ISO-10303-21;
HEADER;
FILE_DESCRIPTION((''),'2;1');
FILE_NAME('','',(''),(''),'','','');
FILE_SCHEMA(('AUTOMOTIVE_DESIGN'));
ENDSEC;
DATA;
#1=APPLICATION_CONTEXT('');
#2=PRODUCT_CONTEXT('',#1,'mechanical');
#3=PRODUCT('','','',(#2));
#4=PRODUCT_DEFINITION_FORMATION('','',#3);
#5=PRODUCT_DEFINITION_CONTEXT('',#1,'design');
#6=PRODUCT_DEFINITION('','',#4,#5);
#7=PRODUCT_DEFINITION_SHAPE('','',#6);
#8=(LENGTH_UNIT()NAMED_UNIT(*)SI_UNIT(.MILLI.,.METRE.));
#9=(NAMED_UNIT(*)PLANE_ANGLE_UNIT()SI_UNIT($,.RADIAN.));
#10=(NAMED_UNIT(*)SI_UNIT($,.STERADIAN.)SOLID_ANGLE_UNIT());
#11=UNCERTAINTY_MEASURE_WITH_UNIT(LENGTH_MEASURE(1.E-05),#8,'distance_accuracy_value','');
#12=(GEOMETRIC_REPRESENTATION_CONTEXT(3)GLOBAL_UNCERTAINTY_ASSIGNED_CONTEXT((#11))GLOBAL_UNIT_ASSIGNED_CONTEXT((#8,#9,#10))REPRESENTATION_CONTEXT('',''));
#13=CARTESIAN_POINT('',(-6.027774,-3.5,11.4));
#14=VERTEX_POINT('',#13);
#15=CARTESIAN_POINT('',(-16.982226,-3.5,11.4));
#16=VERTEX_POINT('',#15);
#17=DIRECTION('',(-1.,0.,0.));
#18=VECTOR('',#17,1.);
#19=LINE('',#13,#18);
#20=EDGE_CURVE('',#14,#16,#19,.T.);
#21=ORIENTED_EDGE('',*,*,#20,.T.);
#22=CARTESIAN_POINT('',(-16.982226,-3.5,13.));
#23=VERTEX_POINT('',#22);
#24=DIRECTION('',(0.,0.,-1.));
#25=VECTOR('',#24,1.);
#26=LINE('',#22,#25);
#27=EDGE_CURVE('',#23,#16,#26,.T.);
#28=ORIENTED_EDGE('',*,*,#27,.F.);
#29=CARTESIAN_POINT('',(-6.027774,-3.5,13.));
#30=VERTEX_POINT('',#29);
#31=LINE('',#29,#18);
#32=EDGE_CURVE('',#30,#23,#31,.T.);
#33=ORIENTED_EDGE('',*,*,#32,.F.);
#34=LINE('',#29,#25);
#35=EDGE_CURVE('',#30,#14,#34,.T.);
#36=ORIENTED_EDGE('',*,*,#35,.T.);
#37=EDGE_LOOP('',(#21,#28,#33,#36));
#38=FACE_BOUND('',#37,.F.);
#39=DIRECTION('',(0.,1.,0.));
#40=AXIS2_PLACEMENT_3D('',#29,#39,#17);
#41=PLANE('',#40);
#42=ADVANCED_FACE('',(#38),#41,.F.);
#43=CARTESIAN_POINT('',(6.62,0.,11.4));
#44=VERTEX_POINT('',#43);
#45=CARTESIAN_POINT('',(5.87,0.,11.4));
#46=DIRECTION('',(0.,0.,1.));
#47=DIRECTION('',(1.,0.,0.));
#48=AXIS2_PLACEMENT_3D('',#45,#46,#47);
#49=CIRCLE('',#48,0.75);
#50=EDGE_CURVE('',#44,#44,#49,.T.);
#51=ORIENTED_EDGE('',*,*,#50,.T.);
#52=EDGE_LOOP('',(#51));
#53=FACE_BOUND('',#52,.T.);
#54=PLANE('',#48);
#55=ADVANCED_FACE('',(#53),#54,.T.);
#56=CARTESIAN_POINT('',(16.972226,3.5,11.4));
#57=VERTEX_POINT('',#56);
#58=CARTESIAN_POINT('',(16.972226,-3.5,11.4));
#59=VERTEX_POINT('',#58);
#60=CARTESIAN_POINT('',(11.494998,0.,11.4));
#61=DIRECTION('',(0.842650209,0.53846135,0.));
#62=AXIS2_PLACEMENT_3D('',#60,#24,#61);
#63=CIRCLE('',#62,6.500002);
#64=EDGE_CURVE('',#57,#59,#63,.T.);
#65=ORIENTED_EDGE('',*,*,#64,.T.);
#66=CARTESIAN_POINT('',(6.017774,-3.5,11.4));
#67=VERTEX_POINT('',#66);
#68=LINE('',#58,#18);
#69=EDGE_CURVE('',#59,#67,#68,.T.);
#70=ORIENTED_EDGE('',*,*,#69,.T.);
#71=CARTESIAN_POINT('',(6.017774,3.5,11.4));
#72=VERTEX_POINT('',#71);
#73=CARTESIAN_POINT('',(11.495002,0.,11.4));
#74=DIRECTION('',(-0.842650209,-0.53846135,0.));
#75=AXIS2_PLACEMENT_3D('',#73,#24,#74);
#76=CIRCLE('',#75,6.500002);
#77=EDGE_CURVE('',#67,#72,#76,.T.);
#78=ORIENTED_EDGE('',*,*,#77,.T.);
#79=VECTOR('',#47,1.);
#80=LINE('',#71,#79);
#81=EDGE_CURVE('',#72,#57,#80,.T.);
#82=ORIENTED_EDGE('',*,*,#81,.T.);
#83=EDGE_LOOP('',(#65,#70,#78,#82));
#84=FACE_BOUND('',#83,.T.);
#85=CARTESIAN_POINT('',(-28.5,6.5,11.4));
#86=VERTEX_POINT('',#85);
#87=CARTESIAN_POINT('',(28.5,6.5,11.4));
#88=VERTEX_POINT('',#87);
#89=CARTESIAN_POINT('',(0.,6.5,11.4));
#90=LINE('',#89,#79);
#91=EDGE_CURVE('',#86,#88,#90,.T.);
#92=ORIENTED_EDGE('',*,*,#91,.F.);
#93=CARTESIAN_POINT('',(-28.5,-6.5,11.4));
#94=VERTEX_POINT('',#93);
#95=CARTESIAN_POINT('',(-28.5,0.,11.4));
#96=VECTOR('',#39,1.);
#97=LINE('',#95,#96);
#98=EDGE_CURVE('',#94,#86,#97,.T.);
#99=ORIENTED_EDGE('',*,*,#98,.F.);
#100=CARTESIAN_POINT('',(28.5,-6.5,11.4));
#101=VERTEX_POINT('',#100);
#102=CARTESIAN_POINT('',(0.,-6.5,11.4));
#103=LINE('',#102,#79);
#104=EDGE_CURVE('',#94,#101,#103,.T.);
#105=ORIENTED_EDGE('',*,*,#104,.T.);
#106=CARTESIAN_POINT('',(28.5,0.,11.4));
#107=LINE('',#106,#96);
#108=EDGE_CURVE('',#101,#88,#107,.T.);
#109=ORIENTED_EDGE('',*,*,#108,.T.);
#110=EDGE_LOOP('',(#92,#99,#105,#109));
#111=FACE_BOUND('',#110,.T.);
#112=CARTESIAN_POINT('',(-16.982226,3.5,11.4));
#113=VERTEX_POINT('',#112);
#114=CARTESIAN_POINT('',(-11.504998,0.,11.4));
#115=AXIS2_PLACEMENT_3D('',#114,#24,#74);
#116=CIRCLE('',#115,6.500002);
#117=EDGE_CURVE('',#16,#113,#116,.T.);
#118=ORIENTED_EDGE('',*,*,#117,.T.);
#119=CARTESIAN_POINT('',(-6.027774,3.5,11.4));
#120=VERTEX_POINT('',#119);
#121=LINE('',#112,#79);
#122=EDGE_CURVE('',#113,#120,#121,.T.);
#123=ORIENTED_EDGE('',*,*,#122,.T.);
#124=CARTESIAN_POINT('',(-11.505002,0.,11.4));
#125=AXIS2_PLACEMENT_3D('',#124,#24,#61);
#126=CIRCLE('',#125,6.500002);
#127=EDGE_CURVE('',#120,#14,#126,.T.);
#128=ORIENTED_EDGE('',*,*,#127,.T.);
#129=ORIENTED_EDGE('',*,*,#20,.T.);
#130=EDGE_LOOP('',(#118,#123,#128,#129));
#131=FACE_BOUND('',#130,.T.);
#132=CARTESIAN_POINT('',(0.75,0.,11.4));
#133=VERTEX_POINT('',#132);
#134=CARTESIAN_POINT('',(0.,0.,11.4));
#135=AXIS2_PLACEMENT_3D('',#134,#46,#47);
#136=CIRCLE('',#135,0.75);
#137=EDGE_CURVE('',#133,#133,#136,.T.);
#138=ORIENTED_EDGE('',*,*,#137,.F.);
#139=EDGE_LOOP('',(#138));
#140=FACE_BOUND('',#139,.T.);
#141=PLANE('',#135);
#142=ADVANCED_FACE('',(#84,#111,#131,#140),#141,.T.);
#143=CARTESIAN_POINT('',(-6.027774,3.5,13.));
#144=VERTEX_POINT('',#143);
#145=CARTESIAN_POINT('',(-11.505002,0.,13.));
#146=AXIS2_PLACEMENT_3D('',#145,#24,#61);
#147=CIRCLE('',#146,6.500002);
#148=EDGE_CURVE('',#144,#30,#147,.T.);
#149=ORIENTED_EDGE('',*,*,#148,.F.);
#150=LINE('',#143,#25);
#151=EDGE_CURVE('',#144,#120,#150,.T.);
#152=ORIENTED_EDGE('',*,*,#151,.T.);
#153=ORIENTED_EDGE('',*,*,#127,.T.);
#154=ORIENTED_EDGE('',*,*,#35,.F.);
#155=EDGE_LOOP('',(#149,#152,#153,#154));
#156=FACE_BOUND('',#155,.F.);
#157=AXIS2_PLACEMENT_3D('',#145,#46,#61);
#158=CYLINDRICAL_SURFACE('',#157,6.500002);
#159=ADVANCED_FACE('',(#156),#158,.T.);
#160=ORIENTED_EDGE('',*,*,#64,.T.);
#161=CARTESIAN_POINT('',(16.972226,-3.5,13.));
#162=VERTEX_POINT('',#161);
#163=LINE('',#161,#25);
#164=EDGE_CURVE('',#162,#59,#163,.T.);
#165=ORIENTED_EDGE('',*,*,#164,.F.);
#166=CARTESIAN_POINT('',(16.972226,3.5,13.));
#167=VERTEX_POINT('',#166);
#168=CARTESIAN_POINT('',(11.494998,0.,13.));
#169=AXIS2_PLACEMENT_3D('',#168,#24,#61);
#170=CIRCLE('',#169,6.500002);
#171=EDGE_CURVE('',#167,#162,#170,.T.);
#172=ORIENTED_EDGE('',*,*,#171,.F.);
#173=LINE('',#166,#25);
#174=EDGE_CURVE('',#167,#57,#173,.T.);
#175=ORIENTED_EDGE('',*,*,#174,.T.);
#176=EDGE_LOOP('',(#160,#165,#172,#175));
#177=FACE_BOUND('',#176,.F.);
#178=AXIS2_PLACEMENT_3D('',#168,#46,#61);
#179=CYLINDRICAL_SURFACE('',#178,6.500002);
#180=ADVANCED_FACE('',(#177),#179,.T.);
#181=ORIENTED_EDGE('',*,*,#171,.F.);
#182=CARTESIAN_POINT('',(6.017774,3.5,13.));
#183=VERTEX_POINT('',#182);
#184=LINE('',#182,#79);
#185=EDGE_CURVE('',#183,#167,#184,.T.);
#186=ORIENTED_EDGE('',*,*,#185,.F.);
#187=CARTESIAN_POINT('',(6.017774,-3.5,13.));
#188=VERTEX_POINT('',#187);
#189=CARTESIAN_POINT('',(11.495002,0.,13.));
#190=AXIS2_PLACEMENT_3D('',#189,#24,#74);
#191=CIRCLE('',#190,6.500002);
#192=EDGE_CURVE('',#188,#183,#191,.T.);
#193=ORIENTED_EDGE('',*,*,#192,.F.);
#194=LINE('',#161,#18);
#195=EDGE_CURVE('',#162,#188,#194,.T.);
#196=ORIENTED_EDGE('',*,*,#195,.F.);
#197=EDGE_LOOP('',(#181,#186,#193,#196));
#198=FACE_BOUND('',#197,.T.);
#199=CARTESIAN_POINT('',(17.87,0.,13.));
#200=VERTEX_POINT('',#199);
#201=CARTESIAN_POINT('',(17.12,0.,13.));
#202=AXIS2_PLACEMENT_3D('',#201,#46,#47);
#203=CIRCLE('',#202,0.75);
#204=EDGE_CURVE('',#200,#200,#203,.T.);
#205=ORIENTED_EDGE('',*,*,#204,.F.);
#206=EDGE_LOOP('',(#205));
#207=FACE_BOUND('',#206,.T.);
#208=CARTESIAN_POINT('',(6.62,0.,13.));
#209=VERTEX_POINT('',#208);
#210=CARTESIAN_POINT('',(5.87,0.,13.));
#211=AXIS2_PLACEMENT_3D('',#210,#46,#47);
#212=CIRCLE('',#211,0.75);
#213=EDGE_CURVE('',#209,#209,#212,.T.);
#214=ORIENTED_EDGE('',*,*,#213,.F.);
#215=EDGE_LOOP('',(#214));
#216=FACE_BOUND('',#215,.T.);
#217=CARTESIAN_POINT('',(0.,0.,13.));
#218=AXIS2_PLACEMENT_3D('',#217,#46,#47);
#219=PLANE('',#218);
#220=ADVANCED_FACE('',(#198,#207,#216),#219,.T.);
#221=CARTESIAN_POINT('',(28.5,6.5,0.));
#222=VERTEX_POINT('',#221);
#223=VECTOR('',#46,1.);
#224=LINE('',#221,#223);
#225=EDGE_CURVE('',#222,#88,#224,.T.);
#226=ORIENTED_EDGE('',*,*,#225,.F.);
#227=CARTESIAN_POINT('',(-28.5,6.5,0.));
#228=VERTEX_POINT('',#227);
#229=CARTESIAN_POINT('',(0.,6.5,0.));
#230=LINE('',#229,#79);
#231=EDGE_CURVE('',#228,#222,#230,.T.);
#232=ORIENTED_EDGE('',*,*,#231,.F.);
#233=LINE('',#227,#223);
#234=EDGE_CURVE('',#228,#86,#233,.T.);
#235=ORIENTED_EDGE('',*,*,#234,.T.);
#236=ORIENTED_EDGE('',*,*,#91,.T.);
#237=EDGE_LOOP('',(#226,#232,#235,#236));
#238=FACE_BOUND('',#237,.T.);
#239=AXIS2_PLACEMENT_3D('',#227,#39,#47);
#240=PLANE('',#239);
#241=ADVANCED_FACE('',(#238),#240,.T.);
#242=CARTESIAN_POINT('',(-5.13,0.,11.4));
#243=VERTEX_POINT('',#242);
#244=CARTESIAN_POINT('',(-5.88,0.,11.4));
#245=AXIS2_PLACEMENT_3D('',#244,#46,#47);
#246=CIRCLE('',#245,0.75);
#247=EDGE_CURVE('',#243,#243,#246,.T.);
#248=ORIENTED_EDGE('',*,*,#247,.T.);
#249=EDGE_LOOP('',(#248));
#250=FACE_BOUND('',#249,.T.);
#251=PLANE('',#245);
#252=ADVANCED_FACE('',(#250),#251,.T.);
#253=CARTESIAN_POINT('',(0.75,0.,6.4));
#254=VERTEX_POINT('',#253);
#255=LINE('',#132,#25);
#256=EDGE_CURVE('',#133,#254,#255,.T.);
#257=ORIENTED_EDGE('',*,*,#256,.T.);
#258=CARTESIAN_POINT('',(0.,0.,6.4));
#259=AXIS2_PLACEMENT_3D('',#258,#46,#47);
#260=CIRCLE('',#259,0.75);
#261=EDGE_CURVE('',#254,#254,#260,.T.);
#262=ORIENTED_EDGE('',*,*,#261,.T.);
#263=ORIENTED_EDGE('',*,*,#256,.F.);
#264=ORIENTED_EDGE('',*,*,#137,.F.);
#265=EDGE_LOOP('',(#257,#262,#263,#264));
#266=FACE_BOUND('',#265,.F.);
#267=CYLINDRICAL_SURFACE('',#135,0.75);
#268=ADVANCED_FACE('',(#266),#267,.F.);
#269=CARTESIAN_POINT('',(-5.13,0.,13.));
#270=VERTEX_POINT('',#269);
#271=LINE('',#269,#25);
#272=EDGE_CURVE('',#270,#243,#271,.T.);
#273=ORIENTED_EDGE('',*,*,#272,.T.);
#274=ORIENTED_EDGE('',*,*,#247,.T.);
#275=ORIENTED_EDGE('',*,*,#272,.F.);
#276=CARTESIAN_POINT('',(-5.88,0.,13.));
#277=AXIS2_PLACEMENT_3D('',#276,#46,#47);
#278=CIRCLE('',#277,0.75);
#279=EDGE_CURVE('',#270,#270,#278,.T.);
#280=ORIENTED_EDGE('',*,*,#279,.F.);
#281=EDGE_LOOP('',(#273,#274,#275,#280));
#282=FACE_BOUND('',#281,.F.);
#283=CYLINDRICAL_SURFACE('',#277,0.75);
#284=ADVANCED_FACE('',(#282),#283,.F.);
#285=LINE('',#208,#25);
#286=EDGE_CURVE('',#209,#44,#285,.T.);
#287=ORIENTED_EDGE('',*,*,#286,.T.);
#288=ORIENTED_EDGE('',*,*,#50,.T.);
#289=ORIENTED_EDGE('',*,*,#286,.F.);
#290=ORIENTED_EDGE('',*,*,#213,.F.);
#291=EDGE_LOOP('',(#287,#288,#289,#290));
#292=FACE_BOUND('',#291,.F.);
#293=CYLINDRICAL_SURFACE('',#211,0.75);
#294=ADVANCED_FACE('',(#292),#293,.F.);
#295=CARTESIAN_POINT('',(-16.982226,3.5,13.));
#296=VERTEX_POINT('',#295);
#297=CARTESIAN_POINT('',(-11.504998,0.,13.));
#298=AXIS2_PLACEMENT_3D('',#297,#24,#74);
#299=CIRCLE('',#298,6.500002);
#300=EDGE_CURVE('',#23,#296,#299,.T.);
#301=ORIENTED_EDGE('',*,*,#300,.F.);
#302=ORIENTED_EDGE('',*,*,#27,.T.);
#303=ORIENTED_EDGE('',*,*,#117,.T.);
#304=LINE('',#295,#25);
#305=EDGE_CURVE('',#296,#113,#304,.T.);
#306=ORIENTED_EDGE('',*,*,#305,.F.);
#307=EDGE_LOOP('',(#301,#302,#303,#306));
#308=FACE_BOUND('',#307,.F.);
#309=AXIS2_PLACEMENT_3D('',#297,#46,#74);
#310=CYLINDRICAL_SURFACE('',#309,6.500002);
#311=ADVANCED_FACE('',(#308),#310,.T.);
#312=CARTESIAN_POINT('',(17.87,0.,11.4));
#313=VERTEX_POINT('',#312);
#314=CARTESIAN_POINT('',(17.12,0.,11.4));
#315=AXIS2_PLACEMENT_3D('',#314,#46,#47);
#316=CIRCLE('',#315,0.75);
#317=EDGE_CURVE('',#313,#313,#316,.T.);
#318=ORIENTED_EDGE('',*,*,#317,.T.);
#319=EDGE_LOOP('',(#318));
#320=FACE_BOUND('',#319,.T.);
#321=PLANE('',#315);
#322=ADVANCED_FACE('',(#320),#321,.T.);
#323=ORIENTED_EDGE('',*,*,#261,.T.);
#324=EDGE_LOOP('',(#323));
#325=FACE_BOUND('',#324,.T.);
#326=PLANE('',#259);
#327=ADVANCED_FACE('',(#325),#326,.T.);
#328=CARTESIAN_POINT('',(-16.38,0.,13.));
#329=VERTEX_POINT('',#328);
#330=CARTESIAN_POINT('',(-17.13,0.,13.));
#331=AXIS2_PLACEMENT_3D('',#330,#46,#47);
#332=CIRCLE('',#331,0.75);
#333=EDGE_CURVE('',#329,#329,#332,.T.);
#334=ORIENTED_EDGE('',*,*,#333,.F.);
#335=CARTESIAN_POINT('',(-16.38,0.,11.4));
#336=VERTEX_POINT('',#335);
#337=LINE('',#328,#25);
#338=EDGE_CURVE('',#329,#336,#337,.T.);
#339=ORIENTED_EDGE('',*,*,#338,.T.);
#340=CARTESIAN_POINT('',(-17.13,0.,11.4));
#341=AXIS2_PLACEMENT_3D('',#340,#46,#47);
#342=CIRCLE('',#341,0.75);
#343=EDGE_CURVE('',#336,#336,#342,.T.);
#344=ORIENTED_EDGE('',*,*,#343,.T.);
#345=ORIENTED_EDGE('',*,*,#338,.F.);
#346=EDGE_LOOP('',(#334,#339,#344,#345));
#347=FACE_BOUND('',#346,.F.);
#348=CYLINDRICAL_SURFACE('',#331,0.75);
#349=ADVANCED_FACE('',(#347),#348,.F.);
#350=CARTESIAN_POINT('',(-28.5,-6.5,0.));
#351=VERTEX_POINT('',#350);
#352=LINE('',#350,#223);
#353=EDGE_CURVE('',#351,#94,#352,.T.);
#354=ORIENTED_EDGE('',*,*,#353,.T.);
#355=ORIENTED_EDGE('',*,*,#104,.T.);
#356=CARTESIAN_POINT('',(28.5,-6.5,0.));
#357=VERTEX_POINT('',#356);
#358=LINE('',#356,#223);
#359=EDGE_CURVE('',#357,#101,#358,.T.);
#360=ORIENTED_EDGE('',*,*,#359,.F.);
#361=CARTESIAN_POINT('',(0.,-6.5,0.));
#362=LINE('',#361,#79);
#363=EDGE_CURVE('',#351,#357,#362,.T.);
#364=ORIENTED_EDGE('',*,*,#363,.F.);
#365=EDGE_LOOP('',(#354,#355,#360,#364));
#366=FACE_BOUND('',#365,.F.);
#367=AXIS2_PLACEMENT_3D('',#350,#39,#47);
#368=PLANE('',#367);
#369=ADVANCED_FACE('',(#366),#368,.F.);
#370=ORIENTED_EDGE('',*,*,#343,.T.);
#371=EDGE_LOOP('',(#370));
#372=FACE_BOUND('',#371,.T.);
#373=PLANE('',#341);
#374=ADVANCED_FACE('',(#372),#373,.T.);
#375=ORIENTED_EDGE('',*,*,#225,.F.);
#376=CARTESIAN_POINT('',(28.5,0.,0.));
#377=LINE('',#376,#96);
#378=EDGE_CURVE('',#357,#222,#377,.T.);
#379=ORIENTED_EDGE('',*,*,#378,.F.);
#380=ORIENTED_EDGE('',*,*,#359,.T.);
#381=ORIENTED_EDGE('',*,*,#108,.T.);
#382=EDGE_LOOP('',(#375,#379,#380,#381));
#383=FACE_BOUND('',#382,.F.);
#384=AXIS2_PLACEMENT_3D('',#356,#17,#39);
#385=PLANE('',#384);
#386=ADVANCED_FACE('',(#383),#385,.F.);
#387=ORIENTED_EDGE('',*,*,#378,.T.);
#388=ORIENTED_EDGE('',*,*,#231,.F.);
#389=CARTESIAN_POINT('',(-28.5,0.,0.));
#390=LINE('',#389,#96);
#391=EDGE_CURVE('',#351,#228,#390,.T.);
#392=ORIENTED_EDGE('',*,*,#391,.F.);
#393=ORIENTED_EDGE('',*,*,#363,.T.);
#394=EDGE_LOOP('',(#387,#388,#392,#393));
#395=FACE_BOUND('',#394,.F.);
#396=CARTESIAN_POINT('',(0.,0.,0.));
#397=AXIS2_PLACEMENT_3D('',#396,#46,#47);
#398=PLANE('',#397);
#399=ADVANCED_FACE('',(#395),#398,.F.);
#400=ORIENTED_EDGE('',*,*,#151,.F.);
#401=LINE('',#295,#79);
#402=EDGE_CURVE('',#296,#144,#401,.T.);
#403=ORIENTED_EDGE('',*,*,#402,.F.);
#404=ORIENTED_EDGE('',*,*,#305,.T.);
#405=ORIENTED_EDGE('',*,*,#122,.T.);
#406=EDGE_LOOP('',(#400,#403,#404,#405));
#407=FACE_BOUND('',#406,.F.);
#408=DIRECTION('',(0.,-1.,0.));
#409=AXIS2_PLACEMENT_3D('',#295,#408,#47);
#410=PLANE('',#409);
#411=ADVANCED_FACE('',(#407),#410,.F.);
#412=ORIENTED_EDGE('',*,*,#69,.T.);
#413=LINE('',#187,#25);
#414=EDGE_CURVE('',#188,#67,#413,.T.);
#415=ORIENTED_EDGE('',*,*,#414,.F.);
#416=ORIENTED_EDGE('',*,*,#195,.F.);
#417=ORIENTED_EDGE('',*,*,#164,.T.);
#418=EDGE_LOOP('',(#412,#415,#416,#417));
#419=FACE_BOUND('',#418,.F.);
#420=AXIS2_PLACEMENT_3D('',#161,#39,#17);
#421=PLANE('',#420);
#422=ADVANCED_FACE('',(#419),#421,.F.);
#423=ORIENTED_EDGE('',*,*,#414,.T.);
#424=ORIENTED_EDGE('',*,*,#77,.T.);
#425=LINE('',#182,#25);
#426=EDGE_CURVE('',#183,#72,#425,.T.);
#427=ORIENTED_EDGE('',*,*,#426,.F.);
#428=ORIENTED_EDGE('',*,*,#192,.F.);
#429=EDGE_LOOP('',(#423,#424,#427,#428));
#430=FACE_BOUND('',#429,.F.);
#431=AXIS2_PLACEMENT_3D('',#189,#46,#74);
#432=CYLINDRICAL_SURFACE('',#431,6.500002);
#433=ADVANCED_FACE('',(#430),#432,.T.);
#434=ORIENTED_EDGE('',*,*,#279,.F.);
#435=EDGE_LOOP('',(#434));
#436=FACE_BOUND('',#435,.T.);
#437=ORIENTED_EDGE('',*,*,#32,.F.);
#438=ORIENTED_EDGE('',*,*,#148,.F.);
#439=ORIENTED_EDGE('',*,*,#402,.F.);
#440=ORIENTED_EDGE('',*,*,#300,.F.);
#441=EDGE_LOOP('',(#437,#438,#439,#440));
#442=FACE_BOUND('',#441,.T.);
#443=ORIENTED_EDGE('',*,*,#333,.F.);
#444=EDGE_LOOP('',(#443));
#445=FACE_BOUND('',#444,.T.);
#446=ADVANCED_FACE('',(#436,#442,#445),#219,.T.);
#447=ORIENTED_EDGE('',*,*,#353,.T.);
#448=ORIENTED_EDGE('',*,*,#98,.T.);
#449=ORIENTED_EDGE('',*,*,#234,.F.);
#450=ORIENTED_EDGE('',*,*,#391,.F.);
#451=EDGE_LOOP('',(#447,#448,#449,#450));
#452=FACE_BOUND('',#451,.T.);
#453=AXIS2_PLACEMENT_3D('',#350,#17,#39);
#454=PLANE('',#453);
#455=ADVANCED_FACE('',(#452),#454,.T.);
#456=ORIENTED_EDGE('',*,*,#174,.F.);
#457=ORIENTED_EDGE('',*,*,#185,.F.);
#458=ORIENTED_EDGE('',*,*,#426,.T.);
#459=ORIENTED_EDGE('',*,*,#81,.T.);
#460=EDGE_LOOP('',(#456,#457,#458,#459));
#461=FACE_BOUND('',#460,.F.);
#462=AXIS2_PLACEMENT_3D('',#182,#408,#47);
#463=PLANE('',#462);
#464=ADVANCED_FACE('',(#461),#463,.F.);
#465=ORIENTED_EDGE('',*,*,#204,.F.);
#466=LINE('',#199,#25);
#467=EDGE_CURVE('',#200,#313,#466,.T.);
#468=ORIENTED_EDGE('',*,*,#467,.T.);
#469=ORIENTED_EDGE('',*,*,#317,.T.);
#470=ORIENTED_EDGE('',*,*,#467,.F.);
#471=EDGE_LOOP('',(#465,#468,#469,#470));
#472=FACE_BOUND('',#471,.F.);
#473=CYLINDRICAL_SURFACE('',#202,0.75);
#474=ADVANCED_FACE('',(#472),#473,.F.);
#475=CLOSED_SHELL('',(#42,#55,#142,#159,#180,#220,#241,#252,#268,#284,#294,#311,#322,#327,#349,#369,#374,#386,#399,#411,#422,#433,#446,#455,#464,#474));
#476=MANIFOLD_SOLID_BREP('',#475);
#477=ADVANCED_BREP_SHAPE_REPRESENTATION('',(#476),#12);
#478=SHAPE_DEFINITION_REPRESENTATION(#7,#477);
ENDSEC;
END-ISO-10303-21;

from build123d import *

# Parameters (mm, degrees)
F0_W     = 57
F0_H     = 13
F1_DEPTH = 13
F2_W     = 57
F2_H     = 13
F2_R     = 0.75
F3_DEPTH = 1.6
F4_ANGLE = -180
F5_ANGLE = -180
F6_R     = 0.75
F7_DEPTH = 5


with BuildPart() as f1:
    # F0 (on Top) → F1 (new body)
    with BuildSketch(Plane.XY):
        Rectangle(F0_W, F0_H)
    extrude(amount=F1_DEPTH)

    # F2 (on face) → F3 (cut)
    with BuildSketch(Plane.XY.offset(13)):
        Rectangle(F2_W, F2_H)
        with BuildLine():
            ThreePointArc((-6.027774, 3.5), (-5.005, 0), (-6.027774, -3.5))
            Line((-6.027774, -3.5), (-16.982226, -3.5))
            ThreePointArc((-16.982226, -3.5), (-18.005, 0), (-16.982226, 3.5))
            Line((-16.982226, 3.5), (-6.027774, 3.5))
        make_face(mode=Mode.SUBTRACT)
        with BuildLine():
            ThreePointArc((6.017774, -3.5), (4.995, 0), (6.017774, 3.5))
            Line((6.017774, 3.5), (16.972226, 3.5))
            ThreePointArc((16.972226, 3.5), (17.995, 0), (16.972226, -3.5))
            Line((16.972226, -3.5), (6.017774, -3.5))
        make_face(mode=Mode.SUBTRACT)
        with Locations((-17.13, 0)):
            Circle(F2_R)
        with Locations((-5.88, 0)):
            Circle(F2_R)
        with Locations((5.87, 0)):
            Circle(F2_R)
        with Locations((17.12, 0)):
            Circle(F2_R)
    extrude(amount=-F3_DEPTH, mode=Mode.SUBTRACT)


with BuildPart() as f1_1:
    # F4: moved
    add(f1.part.rotate(Axis((0, 6.5, 0), (1, 0, 0)), F4_ANGLE))


with BuildPart() as f1_2:
    # F5: moved
    add(f1_1.part.rotate(Axis((0, 6.5, 0), (1, 0, 0)), F5_ANGLE))

    # F6 (on face) → F7 (cut)
    with BuildSketch(Plane.XY.offset(11.4)):
        Circle(F6_R)
    extrude(amount=-F7_DEPTH, mode=Mode.SUBTRACT)


solid = f1_2.part
